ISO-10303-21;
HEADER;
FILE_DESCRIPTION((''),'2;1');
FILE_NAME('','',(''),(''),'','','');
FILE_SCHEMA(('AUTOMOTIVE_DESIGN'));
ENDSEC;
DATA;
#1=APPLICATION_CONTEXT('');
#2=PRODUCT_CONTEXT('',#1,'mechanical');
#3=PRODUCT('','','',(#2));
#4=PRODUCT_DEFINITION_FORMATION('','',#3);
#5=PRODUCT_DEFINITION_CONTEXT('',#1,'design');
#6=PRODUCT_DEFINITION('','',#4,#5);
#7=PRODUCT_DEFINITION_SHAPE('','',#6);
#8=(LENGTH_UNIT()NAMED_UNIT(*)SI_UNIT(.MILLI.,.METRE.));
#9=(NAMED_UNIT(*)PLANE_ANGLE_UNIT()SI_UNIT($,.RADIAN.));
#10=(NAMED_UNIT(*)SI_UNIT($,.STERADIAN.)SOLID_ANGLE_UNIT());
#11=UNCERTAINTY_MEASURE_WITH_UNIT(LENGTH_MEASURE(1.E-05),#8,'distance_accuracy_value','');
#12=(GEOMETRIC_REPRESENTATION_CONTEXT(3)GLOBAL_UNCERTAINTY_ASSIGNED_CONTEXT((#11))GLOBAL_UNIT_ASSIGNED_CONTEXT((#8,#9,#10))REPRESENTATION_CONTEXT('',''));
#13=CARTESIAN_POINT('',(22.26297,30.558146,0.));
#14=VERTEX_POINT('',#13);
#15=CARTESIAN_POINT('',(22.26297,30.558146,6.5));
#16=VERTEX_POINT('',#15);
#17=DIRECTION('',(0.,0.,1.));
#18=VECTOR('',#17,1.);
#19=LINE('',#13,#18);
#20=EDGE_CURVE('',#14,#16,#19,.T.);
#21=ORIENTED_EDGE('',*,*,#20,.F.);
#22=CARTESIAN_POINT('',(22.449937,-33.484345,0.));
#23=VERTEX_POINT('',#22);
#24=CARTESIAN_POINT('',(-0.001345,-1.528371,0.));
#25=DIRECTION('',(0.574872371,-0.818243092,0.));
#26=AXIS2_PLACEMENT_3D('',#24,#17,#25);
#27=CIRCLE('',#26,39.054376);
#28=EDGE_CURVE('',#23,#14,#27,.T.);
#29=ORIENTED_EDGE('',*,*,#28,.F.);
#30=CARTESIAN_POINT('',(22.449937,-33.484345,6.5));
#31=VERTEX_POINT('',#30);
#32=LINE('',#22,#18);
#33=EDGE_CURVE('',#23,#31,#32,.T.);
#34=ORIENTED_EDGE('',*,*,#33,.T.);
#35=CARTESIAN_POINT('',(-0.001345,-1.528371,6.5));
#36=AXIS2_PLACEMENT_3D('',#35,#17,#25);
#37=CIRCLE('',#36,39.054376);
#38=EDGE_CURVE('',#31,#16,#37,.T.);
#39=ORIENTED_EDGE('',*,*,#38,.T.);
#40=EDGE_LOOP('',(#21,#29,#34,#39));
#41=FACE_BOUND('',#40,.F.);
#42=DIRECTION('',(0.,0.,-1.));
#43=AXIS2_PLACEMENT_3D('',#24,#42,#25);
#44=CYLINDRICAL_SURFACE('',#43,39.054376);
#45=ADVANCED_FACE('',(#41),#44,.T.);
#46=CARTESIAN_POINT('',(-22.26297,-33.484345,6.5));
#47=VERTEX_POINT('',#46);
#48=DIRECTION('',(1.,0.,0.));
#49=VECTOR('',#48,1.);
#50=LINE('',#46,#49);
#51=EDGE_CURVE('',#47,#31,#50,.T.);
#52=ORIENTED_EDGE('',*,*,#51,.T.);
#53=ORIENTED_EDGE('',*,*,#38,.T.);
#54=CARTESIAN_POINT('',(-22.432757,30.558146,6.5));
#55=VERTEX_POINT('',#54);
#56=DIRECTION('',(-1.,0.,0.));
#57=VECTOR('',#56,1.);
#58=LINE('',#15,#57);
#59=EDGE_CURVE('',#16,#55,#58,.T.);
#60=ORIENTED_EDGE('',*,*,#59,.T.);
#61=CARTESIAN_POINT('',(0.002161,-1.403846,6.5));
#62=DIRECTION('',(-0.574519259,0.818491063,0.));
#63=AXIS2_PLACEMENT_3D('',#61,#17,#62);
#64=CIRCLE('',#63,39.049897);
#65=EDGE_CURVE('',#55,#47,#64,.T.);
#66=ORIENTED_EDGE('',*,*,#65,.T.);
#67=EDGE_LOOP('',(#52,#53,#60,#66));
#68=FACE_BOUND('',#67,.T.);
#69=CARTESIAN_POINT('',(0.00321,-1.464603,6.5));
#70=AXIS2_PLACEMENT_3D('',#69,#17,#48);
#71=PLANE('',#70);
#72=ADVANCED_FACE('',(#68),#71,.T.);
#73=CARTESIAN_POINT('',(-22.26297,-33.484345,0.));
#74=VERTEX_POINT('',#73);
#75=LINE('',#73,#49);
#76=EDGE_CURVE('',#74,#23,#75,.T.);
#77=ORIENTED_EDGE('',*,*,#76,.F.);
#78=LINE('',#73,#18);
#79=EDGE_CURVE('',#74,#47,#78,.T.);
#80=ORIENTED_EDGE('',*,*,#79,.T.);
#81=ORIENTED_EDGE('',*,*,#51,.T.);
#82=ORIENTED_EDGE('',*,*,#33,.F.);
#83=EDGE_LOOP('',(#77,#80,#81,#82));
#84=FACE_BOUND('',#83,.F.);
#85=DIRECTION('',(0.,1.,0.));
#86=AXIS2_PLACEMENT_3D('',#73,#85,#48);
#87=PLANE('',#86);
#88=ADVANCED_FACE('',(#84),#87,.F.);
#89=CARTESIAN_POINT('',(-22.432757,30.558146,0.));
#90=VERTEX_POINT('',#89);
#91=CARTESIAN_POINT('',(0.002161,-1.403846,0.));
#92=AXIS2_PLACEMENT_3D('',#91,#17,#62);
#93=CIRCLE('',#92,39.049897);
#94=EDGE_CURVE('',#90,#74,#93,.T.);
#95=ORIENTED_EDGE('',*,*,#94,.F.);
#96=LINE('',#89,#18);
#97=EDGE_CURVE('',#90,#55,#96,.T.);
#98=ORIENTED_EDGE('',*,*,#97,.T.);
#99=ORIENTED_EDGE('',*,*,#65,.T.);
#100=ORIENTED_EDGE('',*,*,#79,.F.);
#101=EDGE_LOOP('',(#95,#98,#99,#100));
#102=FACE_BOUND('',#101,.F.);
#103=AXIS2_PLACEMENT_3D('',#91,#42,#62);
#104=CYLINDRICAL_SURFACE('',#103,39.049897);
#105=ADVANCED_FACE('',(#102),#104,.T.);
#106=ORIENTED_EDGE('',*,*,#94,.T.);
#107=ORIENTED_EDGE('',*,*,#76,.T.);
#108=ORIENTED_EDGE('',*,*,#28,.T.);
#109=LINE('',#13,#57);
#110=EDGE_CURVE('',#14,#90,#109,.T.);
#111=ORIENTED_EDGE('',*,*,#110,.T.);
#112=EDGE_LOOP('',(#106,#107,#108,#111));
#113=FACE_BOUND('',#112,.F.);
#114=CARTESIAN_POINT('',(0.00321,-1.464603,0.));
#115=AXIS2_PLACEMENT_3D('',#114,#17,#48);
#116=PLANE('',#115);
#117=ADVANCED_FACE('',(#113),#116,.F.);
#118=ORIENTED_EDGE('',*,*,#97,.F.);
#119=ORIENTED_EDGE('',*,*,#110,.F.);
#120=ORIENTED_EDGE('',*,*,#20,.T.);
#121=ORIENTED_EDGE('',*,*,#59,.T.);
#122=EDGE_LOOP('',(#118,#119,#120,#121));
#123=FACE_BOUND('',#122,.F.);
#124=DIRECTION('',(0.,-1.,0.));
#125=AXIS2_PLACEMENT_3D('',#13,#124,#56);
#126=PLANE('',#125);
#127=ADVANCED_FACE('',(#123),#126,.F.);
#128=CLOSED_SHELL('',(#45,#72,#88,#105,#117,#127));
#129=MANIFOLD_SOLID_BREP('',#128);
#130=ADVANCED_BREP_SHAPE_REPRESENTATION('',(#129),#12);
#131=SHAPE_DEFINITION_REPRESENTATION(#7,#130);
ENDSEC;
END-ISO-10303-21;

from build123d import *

# Parameters (mm, degrees)
PAD_1_DEPTH = 6.5


with BuildPart() as part:
    # Sketch_1 → Pad_1 (new body)
    with BuildSketch(Plane.XY):
        with BuildLine():
            ThreePointArc((22.449937, -33.484345), (39.052865, -1.414356), (22.26297, 30.558146))
            Line((22.26297, 30.558146), (-22.432757, 30.558146))
            ThreePointArc((-22.432757, 30.558146), (-39.047599, -1.507373), (-22.26297, -33.484345))
            Line((-22.26297, -33.484345), (22.449937, -33.484345))
        make_face()
    extrude(amount=PAD_1_DEPTH)


solid = part.part
